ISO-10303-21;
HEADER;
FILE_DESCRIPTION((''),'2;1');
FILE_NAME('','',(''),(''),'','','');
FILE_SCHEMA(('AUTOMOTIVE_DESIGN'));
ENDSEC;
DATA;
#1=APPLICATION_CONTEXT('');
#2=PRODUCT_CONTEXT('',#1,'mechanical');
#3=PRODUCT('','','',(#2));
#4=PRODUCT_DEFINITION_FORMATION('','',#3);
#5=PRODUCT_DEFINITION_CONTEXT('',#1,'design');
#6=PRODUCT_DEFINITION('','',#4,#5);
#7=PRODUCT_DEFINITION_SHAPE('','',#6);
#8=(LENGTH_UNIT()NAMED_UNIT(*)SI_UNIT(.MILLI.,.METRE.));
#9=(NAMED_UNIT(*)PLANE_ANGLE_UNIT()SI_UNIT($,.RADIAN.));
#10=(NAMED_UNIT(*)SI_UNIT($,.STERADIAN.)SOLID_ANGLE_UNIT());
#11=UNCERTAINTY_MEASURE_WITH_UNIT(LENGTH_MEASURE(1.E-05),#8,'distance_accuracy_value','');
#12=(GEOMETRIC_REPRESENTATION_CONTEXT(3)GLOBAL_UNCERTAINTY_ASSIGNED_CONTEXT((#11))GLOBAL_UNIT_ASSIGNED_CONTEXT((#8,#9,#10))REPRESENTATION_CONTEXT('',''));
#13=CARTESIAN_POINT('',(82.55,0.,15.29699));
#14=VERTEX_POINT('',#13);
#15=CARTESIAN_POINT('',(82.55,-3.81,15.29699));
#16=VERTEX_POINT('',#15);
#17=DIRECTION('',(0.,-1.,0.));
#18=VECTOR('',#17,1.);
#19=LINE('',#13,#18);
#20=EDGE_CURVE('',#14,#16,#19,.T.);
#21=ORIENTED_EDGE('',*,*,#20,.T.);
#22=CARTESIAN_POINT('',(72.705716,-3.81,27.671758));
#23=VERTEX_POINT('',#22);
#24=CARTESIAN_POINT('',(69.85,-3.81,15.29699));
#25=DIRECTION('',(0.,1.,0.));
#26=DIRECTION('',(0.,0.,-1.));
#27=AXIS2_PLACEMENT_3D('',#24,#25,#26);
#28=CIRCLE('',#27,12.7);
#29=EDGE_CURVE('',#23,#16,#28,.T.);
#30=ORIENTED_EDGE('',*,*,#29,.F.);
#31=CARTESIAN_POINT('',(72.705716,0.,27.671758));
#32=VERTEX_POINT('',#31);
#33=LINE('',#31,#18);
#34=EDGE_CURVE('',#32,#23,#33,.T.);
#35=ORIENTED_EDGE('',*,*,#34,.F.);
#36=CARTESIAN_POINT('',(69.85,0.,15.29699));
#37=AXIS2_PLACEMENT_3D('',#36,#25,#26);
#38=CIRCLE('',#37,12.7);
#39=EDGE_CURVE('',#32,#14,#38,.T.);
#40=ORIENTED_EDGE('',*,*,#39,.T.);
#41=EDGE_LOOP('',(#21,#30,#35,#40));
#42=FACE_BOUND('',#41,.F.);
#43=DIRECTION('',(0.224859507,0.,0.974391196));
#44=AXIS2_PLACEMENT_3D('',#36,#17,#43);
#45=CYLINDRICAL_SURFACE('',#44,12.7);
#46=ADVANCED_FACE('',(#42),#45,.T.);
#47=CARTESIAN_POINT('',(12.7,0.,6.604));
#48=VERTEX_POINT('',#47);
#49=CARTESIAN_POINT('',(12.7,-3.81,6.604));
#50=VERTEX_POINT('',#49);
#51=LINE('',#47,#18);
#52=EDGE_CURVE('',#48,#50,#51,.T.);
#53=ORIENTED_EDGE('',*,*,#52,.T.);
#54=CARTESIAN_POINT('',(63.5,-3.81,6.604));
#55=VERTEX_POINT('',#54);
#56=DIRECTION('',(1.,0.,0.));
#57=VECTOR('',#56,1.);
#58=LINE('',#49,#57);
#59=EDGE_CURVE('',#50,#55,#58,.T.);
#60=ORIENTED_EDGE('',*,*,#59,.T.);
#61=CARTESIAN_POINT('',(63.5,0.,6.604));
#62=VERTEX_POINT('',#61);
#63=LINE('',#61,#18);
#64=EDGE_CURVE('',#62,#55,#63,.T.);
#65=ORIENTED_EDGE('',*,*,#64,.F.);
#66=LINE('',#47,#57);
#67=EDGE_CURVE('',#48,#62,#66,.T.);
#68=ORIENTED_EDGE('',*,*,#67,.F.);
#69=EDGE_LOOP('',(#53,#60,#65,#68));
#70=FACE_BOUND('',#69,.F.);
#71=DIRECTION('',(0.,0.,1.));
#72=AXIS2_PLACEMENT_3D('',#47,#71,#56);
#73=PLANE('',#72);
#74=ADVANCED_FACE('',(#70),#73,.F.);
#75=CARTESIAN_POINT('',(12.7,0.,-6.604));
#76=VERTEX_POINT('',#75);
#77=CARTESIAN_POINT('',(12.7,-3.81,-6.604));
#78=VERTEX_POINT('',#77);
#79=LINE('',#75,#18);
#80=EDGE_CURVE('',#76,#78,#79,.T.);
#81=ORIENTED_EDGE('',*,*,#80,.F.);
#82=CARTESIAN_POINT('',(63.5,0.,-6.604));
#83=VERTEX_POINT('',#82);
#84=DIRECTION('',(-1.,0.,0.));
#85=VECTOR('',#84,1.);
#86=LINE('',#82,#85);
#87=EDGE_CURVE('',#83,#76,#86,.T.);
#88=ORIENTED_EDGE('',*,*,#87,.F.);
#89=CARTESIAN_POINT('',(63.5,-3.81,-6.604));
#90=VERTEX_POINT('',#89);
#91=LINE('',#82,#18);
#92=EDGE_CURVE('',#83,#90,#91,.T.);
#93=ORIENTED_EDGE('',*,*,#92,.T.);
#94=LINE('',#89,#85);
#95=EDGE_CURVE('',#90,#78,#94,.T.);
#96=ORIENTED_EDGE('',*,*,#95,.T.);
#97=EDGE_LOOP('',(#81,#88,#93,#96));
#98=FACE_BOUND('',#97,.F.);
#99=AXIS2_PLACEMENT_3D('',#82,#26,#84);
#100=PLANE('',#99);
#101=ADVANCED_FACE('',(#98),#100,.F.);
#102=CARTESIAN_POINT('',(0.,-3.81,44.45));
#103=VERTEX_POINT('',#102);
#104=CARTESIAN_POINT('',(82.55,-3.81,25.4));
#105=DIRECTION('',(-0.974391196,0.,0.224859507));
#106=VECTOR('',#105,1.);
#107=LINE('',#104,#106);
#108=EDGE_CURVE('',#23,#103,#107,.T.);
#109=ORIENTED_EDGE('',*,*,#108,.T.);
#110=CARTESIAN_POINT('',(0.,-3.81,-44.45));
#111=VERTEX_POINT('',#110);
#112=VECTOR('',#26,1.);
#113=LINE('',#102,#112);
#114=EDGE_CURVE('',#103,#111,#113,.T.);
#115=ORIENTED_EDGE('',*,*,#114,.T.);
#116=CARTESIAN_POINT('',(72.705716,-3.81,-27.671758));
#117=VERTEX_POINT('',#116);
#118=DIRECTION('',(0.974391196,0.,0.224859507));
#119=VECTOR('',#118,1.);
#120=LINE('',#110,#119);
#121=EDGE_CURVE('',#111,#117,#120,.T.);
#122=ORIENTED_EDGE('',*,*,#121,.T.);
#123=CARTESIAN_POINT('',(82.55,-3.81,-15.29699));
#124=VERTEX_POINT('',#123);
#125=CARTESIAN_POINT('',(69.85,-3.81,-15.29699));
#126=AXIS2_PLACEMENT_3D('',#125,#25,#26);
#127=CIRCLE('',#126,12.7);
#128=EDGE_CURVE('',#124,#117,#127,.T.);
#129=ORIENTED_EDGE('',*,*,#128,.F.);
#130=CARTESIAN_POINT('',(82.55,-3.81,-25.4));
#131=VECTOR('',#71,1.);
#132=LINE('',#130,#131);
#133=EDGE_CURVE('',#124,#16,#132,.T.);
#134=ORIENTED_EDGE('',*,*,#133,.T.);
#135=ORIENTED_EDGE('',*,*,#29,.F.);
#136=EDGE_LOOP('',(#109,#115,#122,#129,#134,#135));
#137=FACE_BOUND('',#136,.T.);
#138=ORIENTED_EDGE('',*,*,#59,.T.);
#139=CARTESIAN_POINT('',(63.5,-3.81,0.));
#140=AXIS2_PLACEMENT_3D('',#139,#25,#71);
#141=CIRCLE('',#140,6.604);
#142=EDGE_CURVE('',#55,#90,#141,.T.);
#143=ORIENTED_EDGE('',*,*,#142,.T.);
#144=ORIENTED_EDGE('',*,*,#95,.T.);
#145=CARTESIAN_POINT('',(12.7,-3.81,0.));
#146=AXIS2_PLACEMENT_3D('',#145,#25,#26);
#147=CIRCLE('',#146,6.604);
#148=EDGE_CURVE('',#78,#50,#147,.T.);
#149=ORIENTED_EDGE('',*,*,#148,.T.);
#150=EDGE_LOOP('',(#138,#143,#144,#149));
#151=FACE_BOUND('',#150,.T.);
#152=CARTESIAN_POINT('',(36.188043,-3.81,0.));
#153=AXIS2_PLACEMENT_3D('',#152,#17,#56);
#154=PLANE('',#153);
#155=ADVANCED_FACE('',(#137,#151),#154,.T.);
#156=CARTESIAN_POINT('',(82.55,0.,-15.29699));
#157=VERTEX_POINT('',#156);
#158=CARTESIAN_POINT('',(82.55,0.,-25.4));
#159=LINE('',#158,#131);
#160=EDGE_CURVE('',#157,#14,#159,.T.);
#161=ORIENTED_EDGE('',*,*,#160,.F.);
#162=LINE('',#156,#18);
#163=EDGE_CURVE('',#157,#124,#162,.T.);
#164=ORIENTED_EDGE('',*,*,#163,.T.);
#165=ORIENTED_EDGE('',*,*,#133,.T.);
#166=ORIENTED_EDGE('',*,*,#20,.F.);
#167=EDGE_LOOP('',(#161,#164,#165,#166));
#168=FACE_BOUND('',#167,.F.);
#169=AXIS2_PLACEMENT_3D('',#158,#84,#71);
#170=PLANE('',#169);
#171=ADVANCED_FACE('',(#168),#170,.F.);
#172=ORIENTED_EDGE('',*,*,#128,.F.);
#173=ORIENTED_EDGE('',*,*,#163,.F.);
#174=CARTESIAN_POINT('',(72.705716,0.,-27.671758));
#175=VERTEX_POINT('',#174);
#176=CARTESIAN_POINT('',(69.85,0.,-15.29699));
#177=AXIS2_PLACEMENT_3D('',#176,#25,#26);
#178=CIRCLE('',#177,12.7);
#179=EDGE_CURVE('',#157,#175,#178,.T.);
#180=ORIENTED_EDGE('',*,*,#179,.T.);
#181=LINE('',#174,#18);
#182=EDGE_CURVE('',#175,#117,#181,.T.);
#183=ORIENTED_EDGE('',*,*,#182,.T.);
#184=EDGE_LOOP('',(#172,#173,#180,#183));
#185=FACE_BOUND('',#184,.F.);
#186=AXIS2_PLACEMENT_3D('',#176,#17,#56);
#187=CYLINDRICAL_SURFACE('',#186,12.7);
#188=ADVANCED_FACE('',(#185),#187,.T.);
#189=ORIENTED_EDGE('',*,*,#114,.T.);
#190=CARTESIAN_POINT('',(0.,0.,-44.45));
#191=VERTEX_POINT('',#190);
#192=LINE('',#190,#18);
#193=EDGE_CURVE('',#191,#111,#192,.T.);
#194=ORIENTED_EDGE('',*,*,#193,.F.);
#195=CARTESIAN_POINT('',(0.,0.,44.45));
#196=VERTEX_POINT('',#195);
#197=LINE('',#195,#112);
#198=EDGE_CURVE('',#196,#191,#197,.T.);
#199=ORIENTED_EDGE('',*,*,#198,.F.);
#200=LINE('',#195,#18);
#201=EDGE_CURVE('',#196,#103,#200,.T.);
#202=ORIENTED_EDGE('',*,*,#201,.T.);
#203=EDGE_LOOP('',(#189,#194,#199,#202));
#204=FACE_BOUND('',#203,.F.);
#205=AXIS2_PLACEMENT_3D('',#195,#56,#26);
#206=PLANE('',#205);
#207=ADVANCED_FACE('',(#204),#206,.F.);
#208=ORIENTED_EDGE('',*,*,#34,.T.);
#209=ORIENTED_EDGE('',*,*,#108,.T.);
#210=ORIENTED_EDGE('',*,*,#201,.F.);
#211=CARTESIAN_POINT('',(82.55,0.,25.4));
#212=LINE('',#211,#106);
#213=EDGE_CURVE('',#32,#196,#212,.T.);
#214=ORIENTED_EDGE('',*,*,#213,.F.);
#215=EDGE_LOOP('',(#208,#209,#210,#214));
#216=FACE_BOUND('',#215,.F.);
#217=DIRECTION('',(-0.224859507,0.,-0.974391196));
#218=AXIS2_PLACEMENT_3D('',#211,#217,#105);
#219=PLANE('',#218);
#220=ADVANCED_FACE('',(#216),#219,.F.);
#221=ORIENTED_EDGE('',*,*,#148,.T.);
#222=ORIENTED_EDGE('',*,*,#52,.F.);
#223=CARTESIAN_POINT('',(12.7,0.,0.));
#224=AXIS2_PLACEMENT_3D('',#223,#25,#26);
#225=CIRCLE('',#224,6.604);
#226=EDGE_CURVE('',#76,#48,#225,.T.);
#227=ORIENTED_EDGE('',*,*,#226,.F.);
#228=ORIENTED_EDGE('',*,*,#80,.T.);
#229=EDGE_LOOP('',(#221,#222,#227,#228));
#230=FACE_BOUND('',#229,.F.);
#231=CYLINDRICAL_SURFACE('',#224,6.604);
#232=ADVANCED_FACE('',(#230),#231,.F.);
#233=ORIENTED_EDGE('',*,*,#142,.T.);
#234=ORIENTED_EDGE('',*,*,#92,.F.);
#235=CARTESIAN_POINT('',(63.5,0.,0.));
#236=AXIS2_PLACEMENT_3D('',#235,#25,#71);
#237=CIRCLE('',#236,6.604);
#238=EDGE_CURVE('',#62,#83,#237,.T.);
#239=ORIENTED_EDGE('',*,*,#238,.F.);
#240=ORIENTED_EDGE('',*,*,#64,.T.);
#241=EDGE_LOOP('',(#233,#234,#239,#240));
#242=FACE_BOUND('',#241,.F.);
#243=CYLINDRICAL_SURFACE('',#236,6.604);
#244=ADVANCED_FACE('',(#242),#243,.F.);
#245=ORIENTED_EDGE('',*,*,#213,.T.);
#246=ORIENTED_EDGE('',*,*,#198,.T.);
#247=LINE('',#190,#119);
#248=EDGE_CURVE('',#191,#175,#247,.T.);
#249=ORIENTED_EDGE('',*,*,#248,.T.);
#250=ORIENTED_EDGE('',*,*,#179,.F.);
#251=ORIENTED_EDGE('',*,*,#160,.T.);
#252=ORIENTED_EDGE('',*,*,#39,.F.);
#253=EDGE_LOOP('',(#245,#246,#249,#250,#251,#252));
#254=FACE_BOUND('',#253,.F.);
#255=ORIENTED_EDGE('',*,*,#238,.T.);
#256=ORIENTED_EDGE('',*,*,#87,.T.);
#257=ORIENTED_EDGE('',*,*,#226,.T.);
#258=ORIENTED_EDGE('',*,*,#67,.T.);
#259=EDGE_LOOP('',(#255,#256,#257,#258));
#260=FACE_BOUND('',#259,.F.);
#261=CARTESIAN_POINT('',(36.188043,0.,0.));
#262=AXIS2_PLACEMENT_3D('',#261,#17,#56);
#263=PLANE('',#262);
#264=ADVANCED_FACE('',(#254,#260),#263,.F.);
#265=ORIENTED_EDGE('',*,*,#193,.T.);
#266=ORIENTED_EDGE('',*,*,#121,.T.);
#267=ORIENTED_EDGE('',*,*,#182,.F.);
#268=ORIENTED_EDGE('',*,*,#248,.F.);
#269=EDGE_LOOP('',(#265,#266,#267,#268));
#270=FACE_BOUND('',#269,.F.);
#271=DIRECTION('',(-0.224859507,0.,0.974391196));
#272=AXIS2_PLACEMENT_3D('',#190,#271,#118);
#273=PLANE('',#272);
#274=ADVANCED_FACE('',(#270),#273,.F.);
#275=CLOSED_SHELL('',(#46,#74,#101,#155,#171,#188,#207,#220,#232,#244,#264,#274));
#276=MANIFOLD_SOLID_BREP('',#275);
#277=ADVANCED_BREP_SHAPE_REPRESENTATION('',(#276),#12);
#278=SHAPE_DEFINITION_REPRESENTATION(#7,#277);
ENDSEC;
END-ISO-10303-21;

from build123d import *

# Parameters (mm, degrees)
F1_DEPTH = 3.81
F2_R     = 12.7


with BuildPart() as f1:
    # F0 (on Front) → F1 (new body)
    with BuildSketch(Plane.XZ):
        Polygon((82.55, 25.4), (0, 44.45), (0, -44.45), (82.55, -25.4), align=None)
        with BuildLine():
            ThreePointArc((12.7, -6.604), (6.096, 0), (12.7, 6.604))
            Line((12.7, 6.604), (63.5, 6.604))
            ThreePointArc((63.5, 6.604), (70.104, 0), (63.5, -6.604))
            Line((63.5, -6.604), (12.7, -6.604))
        make_face(mode=Mode.SUBTRACT)
    extrude(amount=F1_DEPTH)

    # F2
    f2_edges = [f1.edges().sort_by_distance(p)[0] for p in [
        (82.55, -1.905, 25.4),
        (82.55, -1.905, -25.4),
    ]]
    fillet(f2_edges, radius=F2_R)


solid = f1.part
